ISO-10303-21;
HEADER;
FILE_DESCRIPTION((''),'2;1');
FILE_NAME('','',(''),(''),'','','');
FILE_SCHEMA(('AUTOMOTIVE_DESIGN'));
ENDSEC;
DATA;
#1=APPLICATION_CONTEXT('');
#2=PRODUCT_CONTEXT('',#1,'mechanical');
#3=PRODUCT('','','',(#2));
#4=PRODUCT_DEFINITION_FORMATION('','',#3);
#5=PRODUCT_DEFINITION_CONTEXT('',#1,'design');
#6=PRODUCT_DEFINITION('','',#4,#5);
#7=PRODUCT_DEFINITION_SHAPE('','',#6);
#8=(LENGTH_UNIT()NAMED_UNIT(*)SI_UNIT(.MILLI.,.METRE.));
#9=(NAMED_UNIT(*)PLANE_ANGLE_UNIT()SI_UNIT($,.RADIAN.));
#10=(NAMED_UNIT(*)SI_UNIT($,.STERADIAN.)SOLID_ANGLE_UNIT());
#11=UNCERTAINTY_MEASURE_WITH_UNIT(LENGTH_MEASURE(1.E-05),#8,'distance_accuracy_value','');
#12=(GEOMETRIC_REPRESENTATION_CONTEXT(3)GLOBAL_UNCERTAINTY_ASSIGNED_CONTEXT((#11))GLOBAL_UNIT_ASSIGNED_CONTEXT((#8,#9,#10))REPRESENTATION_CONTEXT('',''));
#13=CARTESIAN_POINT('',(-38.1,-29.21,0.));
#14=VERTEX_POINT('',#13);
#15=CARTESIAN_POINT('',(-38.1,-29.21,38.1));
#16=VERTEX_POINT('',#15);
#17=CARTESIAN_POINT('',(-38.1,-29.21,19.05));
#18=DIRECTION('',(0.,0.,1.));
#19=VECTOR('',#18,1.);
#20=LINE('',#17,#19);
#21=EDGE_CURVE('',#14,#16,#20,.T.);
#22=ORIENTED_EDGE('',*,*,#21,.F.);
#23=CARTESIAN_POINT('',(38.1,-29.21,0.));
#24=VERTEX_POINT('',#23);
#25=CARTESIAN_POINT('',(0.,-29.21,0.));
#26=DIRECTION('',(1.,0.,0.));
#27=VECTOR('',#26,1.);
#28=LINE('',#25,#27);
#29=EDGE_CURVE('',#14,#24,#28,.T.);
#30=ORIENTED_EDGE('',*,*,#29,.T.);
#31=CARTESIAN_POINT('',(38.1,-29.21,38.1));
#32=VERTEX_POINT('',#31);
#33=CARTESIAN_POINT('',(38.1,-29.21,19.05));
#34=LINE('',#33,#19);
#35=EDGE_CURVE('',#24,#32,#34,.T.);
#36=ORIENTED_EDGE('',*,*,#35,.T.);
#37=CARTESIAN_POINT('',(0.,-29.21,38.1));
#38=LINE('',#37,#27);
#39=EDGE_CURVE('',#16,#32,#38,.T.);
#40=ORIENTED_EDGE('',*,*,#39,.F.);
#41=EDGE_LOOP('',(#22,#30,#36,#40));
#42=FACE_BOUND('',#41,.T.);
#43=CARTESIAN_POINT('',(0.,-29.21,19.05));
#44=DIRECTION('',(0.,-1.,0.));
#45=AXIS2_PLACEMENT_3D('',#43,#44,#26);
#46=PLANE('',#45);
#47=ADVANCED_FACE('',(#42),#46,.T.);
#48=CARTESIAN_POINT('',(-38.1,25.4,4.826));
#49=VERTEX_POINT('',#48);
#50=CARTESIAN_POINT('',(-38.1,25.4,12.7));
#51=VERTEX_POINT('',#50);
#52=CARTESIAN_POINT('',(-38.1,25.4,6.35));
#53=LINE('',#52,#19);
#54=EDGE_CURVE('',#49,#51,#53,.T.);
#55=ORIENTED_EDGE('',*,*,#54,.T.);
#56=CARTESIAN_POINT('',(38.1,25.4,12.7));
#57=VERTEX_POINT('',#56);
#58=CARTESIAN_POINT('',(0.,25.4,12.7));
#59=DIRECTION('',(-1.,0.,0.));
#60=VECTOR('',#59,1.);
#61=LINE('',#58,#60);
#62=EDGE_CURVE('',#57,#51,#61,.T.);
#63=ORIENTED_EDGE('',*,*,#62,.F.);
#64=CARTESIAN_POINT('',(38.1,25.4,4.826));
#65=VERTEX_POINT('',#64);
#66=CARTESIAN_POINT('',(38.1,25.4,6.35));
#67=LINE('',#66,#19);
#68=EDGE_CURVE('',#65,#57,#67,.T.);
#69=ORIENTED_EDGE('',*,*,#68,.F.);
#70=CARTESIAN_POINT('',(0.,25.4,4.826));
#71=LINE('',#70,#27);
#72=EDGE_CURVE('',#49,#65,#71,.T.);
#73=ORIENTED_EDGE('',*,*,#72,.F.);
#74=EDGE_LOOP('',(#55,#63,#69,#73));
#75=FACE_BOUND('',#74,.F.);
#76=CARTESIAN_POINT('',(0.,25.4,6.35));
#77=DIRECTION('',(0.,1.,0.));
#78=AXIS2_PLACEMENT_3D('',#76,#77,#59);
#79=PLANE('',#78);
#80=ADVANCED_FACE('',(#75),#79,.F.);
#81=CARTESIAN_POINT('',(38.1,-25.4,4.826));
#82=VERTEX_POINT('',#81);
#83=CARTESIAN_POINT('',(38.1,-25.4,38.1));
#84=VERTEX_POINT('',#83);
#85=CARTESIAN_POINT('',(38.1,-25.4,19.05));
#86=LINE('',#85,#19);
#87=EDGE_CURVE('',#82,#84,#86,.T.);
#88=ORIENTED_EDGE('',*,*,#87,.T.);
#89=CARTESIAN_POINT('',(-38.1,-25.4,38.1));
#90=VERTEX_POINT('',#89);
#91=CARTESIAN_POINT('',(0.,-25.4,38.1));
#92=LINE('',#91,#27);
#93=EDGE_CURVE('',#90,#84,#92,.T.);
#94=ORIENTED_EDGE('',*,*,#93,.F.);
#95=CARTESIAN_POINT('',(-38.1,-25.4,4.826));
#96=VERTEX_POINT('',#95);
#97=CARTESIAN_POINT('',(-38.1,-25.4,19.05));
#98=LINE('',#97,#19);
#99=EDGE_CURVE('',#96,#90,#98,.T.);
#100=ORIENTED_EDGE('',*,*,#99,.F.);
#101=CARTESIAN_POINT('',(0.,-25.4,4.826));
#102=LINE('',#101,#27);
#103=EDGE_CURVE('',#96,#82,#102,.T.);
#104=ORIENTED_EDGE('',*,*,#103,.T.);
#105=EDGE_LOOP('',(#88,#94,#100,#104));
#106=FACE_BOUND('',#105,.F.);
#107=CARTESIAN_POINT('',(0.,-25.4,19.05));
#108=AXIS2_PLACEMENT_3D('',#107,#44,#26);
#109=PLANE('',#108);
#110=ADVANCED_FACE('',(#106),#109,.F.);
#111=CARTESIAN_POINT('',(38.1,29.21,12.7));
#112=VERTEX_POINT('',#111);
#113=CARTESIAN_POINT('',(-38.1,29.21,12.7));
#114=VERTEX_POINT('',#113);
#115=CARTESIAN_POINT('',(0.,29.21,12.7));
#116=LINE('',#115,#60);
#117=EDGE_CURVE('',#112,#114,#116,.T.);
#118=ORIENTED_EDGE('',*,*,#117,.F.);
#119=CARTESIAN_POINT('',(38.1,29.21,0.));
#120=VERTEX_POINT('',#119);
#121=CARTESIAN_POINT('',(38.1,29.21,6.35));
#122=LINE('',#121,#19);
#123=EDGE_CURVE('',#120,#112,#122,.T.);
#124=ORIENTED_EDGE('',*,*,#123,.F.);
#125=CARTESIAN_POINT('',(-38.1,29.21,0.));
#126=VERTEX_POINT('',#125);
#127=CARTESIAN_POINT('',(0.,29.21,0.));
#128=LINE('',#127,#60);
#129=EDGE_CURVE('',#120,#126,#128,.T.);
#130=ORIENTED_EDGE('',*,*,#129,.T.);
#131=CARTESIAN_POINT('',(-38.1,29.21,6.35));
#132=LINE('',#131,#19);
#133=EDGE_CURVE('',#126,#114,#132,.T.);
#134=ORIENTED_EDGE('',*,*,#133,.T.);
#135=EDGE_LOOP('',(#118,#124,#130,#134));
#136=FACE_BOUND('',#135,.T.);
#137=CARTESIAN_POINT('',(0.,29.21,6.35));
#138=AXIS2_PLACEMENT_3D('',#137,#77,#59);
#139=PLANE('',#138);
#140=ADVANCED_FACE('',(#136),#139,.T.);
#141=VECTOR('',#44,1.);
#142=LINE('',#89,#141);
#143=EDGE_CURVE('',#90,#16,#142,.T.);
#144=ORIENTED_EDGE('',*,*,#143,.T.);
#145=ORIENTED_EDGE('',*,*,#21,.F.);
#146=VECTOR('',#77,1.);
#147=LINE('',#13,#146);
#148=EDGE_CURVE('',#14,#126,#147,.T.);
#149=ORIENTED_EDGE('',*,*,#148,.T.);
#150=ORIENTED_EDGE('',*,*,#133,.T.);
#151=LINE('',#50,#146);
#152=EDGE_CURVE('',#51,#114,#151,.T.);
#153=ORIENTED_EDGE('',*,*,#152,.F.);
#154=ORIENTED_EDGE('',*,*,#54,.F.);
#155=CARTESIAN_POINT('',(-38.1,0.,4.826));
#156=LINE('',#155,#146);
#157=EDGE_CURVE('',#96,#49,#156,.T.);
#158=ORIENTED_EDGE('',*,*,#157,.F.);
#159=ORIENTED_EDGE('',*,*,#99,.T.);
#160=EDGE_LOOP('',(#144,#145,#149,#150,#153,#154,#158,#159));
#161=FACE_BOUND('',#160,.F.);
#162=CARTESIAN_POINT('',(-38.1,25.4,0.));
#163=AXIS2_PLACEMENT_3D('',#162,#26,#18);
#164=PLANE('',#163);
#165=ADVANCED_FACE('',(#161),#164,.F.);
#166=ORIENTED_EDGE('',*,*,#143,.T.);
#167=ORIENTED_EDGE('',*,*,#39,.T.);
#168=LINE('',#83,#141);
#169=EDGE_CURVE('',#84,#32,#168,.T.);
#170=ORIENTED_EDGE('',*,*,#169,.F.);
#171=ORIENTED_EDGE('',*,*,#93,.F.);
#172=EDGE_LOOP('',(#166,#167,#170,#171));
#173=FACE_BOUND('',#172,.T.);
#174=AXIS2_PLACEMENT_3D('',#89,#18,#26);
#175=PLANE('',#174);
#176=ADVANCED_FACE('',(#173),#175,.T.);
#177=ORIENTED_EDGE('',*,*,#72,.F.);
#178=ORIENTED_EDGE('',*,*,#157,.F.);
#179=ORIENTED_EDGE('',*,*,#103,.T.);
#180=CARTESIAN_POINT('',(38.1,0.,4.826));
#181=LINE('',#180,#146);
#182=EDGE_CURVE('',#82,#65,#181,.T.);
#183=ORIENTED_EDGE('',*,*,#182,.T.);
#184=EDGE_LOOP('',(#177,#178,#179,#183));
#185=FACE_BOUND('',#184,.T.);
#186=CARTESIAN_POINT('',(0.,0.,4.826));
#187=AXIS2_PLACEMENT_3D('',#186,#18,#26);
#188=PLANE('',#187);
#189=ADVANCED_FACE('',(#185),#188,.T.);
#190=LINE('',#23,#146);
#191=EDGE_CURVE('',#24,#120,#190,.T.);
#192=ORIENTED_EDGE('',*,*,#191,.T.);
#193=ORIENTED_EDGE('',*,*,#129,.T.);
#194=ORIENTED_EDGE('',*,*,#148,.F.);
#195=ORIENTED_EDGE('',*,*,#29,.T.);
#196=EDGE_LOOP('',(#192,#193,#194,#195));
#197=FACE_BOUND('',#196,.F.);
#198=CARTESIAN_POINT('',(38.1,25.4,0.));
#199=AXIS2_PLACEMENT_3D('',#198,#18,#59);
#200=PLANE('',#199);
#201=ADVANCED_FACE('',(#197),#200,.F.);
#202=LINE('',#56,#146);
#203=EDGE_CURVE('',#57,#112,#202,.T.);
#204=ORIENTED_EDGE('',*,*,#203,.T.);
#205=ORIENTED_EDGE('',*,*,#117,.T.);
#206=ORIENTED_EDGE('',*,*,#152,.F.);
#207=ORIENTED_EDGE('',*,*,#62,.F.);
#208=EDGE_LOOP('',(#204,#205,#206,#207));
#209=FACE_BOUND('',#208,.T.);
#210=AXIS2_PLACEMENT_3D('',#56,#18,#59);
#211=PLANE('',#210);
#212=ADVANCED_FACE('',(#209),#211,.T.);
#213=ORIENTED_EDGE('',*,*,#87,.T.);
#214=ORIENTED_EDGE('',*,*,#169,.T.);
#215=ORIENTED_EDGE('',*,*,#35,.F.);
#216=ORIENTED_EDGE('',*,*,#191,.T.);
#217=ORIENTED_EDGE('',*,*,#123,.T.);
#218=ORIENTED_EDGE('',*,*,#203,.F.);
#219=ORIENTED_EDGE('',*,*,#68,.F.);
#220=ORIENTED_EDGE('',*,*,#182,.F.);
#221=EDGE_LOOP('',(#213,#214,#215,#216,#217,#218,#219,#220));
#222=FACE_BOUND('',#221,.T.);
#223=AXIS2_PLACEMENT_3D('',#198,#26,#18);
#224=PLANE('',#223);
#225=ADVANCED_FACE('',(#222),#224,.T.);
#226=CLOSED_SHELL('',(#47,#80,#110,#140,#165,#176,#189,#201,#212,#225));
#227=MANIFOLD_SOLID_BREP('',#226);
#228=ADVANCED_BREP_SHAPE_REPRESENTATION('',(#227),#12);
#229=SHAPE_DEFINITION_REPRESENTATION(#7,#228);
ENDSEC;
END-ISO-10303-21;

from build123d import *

# Parameters (mm, degrees)
F0_W     = 76.2
F0_H     = 50.8
F2_DEPTH = 4.826
F3_W     = 76.2
F3_H     = 38.1
F4_DEPTH = 3.81
F5_W     = 76.2
F5_H     = 12.7
F6_DEPTH = 3.81


with BuildPart() as f2:
    # F0 (on Top) → F2 (new body)
    with BuildSketch(Plane.XY):
        Rectangle(F0_W, F0_H)
    extrude(amount=F2_DEPTH)

    # F3 (on face) → F4 (join)
    with BuildSketch(Plane.XZ.offset(25.4)):
        with Locations((0, 19.05)):
            Rectangle(F3_W, F3_H)
    extrude(amount=F4_DEPTH)

    # F5 (on face) → F6 (join)
    with BuildSketch(Plane(origin=(0, 25.4, 0), x_dir=(-1, 0, 0), z_dir=(0, 1, 0))):
        with Locations((0, 6.35)):
            Rectangle(F5_W, F5_H)
    extrude(amount=F6_DEPTH)


solid = f2.part
